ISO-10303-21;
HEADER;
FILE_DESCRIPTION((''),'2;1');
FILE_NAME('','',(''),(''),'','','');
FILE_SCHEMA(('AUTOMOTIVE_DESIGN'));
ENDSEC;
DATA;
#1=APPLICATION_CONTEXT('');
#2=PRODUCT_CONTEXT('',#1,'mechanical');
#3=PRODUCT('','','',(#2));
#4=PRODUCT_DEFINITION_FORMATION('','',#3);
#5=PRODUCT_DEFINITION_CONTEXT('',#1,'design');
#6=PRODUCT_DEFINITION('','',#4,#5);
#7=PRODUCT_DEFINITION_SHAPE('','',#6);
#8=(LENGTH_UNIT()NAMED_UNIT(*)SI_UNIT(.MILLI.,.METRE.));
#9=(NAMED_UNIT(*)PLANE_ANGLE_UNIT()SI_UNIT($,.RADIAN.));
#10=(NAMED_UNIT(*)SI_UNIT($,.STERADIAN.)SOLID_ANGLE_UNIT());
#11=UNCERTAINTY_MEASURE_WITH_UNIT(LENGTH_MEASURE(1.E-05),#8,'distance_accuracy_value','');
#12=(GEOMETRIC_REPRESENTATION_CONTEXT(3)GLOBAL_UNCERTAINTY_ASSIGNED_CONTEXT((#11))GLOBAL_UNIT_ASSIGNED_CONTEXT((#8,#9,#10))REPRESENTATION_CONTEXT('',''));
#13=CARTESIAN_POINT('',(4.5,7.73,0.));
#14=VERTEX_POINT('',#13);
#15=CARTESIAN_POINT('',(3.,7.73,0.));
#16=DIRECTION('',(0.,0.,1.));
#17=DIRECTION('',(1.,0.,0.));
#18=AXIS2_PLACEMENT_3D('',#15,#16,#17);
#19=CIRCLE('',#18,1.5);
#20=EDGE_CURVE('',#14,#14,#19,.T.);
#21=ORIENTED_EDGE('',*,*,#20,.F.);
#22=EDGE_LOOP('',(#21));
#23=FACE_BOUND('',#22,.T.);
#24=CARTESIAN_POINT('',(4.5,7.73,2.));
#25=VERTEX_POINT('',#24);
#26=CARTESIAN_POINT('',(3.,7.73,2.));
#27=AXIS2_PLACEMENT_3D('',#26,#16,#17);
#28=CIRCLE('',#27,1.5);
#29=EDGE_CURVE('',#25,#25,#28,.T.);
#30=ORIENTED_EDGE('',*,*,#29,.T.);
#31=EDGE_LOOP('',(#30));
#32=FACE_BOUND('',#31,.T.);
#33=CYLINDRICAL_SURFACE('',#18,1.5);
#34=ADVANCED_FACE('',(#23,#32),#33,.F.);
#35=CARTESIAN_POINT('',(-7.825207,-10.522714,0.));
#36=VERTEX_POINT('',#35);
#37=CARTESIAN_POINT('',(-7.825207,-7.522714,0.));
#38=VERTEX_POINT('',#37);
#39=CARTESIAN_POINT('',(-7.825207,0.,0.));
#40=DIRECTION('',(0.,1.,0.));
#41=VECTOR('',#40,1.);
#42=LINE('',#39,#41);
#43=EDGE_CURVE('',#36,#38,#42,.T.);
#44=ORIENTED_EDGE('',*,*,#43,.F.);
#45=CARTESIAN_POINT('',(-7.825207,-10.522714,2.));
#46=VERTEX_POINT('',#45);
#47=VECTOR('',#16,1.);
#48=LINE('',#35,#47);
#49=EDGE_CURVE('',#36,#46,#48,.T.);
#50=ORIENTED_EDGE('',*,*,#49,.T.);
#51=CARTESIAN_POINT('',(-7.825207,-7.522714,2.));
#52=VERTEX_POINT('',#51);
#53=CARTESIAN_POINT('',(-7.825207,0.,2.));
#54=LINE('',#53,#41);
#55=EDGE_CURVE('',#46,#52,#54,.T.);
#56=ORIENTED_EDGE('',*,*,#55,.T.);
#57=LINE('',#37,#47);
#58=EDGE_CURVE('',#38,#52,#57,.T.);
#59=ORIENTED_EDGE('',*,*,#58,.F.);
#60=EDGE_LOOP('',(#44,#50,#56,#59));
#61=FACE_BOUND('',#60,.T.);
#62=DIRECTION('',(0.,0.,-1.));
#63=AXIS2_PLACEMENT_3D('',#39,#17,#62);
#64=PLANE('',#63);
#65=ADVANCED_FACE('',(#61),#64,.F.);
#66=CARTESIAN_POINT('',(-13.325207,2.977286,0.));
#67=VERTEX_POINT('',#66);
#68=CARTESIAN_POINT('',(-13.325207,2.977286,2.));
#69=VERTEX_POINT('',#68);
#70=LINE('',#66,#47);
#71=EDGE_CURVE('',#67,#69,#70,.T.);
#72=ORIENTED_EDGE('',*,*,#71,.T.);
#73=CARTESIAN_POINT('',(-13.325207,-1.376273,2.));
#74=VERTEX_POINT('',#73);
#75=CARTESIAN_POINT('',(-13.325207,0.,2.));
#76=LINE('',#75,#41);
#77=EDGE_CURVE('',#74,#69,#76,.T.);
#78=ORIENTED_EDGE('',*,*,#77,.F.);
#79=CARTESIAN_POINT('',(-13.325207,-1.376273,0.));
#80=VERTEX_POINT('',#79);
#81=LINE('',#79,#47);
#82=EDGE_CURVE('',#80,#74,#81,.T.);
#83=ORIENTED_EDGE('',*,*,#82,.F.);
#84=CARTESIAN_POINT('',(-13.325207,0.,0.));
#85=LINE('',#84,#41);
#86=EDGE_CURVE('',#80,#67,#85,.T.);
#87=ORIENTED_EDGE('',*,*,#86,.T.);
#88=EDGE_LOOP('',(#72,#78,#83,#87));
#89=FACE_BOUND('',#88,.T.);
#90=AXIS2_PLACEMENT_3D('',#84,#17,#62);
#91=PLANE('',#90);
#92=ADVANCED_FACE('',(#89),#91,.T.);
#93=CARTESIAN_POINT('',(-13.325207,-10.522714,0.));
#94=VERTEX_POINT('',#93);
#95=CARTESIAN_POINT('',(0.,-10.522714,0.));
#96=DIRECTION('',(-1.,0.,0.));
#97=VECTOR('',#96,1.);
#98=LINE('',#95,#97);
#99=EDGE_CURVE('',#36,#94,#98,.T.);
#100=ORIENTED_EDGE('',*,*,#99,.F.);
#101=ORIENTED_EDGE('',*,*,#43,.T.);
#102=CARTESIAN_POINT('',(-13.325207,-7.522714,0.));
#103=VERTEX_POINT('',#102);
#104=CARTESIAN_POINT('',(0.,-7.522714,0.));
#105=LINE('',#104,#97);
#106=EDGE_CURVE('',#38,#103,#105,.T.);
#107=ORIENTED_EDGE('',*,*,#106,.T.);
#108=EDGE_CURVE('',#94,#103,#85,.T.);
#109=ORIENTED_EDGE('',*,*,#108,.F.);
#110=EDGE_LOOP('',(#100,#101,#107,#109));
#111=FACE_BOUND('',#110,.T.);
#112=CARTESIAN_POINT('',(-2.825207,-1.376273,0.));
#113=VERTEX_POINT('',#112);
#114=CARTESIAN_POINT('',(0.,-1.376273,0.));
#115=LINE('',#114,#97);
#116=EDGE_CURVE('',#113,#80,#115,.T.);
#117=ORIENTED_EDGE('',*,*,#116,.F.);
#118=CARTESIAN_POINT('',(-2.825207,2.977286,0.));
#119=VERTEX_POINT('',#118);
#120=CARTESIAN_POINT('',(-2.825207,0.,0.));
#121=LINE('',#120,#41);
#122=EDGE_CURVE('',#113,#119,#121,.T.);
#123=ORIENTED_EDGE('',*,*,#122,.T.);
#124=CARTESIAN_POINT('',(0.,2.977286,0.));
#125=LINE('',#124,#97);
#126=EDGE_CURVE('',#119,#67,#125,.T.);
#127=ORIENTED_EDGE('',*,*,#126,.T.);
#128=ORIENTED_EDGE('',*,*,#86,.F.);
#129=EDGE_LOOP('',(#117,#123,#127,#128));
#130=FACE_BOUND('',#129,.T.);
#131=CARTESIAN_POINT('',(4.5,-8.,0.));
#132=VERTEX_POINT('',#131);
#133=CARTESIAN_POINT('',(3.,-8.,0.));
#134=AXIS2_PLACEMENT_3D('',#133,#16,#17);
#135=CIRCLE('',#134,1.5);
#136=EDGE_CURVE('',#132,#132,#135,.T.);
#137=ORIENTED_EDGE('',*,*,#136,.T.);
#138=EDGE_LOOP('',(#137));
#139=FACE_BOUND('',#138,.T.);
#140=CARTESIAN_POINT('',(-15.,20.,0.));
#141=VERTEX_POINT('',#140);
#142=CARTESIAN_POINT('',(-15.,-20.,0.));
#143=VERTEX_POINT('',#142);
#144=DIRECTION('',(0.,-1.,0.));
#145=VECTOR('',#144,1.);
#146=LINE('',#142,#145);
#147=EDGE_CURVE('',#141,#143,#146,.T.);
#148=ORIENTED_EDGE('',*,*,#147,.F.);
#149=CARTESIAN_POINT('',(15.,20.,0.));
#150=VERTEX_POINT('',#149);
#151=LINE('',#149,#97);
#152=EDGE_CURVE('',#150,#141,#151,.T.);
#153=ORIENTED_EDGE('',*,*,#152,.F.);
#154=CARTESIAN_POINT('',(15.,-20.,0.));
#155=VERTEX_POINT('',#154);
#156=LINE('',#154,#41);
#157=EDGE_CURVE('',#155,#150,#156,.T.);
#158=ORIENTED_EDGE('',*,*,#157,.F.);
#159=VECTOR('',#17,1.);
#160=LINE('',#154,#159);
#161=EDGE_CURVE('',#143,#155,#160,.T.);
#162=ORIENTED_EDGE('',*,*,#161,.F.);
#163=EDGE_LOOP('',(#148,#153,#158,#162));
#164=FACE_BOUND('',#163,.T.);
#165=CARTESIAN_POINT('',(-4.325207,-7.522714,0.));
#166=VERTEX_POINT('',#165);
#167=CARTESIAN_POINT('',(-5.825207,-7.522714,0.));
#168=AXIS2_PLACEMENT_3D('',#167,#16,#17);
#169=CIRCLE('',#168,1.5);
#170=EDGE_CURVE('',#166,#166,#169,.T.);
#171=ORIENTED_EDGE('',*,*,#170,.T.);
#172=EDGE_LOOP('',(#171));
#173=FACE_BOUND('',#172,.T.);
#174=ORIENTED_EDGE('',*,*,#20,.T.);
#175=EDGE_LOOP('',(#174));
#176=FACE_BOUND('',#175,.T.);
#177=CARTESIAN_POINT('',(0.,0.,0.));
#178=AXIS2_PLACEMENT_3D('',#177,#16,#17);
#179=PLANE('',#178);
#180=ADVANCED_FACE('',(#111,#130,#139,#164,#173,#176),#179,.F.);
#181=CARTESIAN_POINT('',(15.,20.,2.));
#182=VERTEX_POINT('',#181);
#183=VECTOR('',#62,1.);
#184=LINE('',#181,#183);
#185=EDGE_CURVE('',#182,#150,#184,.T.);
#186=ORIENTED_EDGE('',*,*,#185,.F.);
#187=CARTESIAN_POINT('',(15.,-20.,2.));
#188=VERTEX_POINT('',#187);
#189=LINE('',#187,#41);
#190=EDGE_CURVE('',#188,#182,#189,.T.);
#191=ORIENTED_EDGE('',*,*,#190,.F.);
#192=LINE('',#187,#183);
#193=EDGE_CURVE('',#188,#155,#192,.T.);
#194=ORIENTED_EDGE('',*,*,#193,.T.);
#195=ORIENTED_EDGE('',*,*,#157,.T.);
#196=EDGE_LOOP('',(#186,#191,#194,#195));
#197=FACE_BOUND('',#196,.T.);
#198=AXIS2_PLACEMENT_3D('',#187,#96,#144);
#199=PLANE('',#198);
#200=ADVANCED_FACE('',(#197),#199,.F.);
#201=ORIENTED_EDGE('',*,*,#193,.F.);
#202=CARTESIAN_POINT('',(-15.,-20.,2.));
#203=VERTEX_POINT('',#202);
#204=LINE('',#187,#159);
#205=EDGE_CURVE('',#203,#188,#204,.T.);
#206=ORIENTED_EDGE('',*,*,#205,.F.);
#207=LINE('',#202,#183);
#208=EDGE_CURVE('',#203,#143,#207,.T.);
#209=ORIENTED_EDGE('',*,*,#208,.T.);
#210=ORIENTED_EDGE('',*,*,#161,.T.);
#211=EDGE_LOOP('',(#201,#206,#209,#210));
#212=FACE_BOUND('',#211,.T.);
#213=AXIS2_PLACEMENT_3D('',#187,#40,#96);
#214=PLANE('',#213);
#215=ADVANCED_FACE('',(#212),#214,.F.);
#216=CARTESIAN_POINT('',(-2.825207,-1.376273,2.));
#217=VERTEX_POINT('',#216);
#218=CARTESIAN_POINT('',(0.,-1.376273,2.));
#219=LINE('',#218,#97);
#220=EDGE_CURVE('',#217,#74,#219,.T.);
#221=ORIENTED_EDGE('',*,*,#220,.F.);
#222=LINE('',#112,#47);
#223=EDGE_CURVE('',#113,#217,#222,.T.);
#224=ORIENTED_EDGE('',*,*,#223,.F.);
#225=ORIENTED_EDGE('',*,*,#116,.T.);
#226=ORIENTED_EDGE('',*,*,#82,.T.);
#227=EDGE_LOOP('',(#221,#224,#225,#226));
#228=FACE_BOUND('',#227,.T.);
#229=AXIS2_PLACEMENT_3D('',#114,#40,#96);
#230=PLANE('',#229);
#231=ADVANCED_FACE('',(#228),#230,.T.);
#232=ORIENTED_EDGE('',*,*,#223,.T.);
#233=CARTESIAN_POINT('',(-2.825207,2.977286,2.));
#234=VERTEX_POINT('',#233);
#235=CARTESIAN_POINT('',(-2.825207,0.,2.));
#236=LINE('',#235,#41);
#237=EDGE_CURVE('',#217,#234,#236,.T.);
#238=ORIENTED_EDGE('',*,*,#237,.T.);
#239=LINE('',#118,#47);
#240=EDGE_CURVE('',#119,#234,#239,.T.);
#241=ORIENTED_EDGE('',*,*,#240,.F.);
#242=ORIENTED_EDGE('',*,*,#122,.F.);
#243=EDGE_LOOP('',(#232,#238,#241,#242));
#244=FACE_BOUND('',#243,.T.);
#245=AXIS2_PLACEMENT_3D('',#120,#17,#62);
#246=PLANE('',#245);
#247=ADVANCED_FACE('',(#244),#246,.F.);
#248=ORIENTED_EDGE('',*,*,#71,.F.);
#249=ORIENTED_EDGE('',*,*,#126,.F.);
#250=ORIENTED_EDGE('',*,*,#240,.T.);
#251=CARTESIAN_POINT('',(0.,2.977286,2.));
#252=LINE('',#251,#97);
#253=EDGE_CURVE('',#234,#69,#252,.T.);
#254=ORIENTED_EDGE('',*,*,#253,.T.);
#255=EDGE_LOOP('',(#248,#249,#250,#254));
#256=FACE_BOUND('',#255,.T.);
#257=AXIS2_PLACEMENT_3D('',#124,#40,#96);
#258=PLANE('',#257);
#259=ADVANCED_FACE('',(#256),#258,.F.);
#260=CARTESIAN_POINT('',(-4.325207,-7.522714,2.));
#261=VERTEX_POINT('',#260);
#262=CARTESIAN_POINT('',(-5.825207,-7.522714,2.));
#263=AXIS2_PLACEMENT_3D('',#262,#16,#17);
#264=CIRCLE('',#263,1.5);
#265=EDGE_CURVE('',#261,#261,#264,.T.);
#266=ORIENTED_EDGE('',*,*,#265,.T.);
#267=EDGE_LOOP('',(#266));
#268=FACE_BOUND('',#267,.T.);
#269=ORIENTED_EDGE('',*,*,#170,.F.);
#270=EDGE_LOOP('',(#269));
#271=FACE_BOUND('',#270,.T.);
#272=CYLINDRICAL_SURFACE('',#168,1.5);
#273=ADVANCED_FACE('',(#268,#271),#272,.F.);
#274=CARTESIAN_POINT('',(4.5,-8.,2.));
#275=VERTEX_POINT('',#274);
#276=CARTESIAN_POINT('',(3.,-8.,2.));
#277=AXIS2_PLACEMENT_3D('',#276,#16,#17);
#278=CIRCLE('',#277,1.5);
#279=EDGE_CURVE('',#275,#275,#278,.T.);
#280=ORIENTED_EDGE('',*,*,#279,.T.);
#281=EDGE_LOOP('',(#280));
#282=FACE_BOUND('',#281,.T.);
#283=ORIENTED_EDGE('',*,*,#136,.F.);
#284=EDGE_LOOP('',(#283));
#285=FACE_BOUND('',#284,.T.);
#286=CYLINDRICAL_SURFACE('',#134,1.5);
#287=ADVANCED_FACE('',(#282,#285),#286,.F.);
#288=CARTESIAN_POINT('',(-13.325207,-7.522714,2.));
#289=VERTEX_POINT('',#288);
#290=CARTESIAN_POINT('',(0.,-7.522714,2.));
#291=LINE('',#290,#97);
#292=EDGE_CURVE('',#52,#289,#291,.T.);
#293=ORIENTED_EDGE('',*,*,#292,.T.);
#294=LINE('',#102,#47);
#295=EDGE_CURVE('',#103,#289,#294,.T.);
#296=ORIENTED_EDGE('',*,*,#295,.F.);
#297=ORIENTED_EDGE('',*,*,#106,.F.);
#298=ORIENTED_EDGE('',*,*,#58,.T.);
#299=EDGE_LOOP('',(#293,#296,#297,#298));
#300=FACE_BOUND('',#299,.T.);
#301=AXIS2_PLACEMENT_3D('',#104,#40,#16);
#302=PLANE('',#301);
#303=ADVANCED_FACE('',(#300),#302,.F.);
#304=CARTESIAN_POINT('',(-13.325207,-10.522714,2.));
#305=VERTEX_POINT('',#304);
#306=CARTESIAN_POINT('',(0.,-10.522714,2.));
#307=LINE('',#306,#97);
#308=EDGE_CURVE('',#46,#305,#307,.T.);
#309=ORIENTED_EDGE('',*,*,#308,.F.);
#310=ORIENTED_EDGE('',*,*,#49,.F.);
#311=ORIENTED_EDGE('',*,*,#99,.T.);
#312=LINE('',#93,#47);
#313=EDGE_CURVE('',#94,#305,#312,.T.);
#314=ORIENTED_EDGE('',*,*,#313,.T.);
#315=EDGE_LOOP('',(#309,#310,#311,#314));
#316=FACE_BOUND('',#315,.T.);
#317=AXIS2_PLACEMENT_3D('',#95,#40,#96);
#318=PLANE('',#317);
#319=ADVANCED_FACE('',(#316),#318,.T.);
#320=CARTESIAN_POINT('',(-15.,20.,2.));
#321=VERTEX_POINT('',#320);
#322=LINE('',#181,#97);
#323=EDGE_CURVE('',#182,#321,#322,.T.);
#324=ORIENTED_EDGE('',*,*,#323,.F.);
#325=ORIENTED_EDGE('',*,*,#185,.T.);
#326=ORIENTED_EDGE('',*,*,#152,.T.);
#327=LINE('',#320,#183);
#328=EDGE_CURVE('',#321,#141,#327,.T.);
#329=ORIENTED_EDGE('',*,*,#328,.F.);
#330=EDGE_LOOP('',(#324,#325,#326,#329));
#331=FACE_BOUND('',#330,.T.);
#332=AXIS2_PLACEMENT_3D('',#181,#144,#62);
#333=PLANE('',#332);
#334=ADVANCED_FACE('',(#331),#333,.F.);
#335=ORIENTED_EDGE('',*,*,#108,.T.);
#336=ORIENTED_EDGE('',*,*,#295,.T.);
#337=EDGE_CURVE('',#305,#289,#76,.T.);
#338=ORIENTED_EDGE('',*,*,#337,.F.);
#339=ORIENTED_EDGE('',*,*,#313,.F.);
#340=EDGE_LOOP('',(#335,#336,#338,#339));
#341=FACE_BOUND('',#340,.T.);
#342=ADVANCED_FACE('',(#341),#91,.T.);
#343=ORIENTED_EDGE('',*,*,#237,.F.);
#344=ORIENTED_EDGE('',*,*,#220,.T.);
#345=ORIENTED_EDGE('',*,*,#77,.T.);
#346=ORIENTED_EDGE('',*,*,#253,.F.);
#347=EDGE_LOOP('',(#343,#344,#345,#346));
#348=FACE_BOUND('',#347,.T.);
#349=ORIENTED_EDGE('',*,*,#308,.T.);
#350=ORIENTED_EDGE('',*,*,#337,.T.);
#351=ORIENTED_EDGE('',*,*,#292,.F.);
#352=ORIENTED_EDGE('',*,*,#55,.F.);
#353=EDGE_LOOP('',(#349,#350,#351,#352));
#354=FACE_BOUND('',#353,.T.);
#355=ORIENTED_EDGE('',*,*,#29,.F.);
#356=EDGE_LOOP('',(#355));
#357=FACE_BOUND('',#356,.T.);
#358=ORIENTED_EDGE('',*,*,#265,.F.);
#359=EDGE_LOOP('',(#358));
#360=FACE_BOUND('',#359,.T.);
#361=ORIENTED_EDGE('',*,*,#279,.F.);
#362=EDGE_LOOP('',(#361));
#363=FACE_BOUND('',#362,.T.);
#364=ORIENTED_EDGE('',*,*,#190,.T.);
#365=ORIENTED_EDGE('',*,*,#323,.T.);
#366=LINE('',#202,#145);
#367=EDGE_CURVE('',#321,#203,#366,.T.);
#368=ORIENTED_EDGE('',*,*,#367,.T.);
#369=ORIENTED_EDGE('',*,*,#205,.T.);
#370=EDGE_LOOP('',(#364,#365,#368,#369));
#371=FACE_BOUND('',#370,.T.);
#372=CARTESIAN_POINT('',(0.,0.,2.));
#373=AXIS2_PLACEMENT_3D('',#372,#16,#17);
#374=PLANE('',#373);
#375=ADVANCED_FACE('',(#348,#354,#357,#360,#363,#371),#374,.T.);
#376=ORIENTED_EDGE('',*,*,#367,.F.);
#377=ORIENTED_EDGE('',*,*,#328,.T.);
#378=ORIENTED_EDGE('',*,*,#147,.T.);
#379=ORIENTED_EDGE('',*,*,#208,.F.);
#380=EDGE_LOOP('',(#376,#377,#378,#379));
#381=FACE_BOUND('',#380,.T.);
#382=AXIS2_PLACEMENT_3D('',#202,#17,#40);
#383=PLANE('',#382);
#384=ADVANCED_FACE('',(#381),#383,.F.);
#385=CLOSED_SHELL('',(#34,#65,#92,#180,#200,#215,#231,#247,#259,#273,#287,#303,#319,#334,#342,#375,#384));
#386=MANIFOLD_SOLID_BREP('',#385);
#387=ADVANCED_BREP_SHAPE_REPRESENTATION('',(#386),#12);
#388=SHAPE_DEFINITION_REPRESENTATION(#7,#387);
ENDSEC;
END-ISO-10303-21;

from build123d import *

# Parameters (mm, degrees)
SKETCH1_W           = 30
SKETCH1_H           = 40
BOSS_EXTRUDE1_DEPTH = 2
SKETCH2_R           = 1.5
SKETCH2_W           = 5.5
SKETCH2_H           = 3
SKETCH2_W_2         = 10.5
SKETCH2_H_2         = 4.353558907
CUT_EXTRUDE1_DEPTH  = 2
SKETCH3_R           = 1.5
CUT_EXTRUDE2_DEPTH  = 2


with BuildPart() as part:
    # Sketch1 → Boss-Extrude1 (new body)
    with BuildSketch(Plane.XY):
        Rectangle(SKETCH1_W, SKETCH1_H)
    extrude(amount=BOSS_EXTRUDE1_DEPTH)

    # Sketch2 → Cut-Extrude1 (cut)
    with BuildSketch(Plane.XY.offset(2)):
        with Locations((-5.825207061, -7.522713977)):
            Circle(SKETCH2_R)
        with Locations((-10.575207061, -9.022713977)):
            Rectangle(SKETCH2_W, SKETCH2_H)
        with Locations((-8.075207061, 0.800506569)):
            Rectangle(SKETCH2_W_2, SKETCH2_H_2)
    extrude(amount=-CUT_EXTRUDE1_DEPTH, mode=Mode.SUBTRACT)

    # Sketch3 → Cut-Extrude2 (cut)
    with BuildSketch(Plane.XY.offset(2)):
        with Locations((3, -8)):
            Circle(SKETCH3_R)
        with Locations((3, 7.73)):
            Circle(SKETCH3_R)
    extrude(amount=-CUT_EXTRUDE2_DEPTH, mode=Mode.SUBTRACT)


solid = part.part
